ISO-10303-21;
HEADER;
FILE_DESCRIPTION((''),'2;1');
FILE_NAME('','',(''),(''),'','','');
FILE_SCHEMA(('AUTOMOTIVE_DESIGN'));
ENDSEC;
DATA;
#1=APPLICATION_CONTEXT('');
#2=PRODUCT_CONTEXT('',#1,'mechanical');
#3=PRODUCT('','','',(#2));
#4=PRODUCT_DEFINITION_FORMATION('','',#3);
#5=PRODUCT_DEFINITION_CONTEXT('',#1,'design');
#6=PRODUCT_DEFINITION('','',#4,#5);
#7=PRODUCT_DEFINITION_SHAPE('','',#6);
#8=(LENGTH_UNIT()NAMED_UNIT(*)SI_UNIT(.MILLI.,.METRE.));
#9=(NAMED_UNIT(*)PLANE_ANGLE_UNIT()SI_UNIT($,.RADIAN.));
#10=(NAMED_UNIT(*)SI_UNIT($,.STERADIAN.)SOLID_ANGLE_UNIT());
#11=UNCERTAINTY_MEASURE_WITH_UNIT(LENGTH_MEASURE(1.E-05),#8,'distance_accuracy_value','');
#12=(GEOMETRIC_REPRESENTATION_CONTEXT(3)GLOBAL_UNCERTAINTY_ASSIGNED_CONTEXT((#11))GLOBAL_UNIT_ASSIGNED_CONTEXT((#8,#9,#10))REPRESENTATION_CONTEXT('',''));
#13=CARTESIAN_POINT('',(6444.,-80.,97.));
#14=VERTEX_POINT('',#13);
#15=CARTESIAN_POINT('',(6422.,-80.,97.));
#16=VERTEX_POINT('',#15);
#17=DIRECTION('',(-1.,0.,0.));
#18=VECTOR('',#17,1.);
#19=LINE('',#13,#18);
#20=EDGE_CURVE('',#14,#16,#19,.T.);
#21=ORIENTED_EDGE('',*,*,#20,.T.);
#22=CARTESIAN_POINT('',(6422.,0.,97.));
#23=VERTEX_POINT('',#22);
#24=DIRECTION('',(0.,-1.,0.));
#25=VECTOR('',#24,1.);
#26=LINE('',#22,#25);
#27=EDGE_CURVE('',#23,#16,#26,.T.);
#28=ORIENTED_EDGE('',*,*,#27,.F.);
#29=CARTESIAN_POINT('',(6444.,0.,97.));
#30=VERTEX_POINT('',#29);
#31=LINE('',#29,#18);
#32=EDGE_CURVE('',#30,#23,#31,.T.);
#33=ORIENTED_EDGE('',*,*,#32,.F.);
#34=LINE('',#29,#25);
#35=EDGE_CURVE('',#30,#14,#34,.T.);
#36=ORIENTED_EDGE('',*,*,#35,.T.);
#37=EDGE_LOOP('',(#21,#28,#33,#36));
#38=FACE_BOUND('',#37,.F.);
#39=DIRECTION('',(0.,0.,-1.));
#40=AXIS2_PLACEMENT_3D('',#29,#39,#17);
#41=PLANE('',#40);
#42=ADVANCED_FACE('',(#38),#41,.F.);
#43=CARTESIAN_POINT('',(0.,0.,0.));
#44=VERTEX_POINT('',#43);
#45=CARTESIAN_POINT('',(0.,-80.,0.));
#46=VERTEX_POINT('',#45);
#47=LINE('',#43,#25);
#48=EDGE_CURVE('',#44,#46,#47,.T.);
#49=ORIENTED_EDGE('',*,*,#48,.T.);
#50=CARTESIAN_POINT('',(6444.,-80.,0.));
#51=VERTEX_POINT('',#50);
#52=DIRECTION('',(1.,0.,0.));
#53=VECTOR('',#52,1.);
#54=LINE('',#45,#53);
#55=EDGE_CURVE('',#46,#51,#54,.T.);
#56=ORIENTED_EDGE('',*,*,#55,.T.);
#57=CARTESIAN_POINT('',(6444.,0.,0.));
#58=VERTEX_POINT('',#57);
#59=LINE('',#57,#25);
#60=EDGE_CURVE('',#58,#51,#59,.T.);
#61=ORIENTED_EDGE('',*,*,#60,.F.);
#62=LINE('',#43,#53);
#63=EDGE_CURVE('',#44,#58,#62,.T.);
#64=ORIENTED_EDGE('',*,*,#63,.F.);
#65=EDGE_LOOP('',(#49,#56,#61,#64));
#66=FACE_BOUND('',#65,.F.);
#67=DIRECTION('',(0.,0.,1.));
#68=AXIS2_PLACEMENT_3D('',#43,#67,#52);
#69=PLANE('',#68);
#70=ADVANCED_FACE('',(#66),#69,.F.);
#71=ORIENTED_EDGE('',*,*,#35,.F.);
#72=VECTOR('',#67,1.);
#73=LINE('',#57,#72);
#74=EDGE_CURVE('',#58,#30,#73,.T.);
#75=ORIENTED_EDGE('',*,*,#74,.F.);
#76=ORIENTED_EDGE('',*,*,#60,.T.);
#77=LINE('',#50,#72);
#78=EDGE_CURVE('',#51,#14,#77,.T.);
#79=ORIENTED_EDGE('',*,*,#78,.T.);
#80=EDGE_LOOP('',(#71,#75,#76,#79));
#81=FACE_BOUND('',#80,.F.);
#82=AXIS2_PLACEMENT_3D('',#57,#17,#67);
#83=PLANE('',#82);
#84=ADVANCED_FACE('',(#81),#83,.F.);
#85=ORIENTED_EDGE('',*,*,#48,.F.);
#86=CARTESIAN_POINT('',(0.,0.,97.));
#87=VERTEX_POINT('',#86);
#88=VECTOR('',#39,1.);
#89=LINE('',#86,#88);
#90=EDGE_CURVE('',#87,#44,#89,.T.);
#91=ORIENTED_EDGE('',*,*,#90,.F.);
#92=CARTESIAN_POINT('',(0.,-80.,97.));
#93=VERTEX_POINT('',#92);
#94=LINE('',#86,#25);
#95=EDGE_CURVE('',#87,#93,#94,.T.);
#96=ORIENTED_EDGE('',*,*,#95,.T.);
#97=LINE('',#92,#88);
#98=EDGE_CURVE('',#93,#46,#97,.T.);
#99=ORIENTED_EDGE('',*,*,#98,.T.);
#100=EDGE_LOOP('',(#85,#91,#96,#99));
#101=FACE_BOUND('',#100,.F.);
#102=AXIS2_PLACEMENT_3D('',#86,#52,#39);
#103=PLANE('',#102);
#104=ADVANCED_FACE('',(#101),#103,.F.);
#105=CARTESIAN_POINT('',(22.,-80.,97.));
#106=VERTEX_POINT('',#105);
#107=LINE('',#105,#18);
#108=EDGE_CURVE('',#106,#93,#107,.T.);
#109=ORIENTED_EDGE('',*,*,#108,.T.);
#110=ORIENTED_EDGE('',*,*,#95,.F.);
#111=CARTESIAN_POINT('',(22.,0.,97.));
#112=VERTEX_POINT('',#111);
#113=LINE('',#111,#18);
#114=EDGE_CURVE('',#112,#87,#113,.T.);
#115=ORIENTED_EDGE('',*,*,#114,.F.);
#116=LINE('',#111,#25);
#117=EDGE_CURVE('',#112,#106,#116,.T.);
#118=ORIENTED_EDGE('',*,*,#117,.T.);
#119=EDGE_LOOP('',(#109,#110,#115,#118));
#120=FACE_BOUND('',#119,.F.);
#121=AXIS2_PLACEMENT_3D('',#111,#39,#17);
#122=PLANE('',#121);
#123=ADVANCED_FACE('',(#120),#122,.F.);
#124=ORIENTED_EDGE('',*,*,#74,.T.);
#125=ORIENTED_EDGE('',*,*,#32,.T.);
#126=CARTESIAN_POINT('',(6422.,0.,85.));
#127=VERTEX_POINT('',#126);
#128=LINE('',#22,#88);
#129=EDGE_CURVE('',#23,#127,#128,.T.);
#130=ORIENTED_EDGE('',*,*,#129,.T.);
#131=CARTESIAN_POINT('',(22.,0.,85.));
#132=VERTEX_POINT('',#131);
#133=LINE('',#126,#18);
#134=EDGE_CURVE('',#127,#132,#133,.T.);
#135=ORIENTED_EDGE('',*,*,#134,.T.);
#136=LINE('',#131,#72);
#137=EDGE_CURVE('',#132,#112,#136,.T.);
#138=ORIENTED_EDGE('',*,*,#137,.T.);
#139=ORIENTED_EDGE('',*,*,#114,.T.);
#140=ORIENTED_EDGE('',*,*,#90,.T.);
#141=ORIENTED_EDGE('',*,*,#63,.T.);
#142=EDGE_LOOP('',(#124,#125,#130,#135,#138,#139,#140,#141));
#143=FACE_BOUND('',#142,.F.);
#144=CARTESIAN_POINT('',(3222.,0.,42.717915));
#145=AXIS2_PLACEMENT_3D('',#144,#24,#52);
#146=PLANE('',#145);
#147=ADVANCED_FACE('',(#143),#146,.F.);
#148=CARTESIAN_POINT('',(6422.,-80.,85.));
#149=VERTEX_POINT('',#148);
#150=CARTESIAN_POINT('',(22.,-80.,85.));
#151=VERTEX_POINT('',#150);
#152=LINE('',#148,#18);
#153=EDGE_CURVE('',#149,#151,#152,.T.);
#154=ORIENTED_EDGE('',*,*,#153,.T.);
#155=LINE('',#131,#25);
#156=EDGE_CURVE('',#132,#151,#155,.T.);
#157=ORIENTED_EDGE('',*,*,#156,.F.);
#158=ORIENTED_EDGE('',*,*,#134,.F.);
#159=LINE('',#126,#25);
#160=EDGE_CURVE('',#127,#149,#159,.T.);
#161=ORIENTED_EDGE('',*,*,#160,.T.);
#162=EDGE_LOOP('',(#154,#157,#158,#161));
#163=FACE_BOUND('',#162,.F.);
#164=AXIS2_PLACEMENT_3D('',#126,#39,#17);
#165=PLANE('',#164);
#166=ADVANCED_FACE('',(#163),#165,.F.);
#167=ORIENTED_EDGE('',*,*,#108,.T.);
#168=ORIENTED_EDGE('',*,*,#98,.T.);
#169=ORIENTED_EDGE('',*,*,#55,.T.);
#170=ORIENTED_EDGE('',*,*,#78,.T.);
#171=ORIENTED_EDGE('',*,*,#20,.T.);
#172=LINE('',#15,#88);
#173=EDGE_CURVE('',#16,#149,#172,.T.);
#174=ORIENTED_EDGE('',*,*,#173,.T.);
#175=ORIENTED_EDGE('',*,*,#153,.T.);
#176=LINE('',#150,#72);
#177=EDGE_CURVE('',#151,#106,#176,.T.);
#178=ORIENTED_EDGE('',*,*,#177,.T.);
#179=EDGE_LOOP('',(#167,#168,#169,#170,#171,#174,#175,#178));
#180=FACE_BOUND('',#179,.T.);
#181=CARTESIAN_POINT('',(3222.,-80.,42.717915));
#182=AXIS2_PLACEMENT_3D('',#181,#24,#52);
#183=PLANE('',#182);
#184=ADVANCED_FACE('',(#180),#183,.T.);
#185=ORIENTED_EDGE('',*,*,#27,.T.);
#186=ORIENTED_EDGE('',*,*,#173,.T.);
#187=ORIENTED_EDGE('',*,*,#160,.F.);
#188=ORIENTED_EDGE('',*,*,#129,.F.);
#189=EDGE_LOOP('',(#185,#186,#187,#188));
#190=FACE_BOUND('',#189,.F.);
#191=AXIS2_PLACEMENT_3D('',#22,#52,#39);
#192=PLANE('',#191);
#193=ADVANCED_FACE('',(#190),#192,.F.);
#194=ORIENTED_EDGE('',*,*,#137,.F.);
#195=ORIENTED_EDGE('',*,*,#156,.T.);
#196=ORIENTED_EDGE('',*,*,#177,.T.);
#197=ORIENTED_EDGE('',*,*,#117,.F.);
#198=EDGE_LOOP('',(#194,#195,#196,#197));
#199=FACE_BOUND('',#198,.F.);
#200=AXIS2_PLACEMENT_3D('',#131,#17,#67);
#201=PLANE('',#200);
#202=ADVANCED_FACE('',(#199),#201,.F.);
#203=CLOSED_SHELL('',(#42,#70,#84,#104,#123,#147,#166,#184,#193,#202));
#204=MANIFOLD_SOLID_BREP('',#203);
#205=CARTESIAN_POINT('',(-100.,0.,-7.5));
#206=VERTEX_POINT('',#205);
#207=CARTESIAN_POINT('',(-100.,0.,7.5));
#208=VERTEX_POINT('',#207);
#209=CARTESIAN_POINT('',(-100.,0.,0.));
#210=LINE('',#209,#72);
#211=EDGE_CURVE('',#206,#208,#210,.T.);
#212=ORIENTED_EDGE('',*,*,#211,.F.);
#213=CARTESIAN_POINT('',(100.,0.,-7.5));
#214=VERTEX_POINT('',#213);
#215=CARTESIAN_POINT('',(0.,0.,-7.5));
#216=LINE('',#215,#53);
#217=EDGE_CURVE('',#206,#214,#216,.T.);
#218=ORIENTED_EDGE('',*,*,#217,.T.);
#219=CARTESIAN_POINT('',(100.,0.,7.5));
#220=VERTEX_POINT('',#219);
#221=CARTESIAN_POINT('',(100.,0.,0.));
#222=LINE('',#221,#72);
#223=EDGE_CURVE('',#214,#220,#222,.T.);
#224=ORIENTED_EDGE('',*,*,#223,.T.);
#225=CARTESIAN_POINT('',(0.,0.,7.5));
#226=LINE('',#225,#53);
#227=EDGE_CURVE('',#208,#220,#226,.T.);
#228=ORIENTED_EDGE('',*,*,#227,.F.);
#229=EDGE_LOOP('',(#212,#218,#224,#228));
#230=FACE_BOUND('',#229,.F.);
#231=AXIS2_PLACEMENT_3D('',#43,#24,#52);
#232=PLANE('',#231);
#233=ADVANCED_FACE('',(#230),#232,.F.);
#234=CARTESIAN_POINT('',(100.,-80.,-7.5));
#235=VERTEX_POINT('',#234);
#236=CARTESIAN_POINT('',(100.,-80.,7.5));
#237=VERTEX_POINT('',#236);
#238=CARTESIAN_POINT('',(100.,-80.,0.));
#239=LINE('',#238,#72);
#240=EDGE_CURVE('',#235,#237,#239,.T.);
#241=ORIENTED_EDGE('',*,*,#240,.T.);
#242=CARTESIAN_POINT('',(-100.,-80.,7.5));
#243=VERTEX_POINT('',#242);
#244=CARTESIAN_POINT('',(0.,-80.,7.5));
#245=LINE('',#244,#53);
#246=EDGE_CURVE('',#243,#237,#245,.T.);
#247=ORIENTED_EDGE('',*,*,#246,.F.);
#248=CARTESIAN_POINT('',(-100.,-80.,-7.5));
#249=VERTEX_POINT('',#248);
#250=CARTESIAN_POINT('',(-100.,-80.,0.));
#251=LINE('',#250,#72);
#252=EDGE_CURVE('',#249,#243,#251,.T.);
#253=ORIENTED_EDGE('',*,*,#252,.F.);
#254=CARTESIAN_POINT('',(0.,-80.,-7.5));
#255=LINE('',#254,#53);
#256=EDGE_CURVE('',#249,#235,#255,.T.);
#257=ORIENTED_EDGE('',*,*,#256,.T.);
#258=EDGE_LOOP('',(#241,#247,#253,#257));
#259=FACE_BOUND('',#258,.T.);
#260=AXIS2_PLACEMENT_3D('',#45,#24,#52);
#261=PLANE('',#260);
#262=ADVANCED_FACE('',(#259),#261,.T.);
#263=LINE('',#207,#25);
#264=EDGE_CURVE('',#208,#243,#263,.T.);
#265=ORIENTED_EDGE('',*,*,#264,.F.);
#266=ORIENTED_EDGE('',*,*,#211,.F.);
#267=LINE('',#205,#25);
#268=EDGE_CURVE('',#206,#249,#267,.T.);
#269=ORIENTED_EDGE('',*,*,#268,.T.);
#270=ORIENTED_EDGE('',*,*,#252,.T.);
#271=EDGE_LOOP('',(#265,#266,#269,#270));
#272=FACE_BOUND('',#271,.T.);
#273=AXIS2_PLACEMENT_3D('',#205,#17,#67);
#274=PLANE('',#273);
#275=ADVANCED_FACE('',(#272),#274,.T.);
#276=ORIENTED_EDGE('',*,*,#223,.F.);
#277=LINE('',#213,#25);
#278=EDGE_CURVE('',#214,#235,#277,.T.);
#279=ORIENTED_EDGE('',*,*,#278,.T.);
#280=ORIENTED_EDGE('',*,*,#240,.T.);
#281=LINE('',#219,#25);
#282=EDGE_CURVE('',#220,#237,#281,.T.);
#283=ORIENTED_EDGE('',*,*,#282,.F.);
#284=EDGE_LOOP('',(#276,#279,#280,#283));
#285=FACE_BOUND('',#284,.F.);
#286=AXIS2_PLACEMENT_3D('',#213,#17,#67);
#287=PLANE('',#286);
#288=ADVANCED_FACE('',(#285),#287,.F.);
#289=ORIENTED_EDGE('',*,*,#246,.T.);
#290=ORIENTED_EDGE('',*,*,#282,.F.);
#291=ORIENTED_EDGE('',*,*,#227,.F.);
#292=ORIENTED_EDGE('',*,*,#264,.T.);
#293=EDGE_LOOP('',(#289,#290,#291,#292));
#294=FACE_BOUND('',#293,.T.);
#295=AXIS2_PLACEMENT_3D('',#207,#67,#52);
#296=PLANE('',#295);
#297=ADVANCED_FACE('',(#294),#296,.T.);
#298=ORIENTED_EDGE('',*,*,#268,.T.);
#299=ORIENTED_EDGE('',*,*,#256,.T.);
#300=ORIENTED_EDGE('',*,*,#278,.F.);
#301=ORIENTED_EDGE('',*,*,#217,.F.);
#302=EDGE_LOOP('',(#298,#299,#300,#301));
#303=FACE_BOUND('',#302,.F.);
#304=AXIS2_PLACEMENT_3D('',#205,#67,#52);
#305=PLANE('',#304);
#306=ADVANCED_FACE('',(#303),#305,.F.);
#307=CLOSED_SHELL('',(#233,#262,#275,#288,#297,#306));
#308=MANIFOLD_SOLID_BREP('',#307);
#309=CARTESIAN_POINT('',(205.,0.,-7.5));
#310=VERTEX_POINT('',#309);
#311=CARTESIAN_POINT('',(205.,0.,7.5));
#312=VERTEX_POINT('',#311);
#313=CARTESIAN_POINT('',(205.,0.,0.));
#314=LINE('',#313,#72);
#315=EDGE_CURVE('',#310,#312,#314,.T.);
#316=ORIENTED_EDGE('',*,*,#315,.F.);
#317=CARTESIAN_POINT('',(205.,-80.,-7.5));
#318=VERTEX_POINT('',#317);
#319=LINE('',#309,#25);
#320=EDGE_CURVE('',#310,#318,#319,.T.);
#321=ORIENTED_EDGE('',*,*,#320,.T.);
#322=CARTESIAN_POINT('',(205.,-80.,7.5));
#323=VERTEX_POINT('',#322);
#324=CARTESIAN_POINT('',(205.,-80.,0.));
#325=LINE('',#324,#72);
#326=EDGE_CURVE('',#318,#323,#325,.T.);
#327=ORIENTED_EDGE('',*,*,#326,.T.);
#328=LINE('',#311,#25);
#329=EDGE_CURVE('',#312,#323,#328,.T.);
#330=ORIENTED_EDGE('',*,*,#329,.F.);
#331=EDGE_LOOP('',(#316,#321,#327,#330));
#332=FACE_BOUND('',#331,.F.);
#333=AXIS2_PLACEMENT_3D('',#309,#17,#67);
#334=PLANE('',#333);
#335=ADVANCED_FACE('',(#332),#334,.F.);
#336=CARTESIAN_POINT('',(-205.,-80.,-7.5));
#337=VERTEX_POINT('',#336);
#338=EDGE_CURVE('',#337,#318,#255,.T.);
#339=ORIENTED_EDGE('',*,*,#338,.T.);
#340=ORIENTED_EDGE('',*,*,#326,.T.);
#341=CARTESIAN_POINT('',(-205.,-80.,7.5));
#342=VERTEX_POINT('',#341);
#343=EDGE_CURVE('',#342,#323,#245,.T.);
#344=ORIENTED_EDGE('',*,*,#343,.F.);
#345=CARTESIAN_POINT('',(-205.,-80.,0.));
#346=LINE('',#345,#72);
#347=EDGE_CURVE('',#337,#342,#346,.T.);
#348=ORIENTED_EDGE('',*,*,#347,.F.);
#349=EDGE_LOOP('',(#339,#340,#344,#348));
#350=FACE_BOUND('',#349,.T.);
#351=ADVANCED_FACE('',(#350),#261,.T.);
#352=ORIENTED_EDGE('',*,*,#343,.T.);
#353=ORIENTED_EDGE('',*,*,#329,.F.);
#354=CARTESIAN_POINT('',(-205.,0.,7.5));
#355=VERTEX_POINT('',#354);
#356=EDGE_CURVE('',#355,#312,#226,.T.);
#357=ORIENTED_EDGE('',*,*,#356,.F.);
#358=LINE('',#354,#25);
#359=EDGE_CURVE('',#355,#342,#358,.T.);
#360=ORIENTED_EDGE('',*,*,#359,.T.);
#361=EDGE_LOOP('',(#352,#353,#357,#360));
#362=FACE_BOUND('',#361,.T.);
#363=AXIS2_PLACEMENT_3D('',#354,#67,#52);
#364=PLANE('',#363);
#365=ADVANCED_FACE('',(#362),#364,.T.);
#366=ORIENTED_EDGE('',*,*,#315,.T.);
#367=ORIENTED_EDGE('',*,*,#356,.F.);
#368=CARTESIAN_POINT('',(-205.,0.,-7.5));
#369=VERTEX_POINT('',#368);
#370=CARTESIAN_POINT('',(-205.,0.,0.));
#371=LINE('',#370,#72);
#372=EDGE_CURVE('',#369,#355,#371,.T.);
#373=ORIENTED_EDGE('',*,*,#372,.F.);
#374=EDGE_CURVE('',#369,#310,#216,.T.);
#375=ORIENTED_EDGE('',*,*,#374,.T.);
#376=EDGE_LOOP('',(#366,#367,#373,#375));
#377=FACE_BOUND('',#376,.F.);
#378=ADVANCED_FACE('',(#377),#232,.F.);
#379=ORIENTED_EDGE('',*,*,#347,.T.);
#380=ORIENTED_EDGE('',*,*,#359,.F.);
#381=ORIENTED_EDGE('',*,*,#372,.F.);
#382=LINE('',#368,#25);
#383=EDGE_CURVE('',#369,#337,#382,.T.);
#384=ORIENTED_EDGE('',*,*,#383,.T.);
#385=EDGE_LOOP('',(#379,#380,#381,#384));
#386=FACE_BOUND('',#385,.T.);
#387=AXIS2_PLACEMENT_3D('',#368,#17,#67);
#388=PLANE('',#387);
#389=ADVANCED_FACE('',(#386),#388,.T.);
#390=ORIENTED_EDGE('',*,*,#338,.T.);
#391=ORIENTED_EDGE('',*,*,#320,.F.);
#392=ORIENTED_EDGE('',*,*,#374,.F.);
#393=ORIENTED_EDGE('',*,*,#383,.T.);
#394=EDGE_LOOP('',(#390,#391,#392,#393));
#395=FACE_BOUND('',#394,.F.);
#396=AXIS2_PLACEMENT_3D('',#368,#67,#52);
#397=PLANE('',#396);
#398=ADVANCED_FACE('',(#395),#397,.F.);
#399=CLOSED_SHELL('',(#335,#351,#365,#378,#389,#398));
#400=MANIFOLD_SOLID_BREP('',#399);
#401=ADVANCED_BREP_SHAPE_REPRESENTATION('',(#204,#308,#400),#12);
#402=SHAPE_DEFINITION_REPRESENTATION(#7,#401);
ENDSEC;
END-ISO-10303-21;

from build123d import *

# Parameters (mm, degrees)
F1_DEPTH = 80
F2_W     = 410
F2_H     = 15
F3_DEPTH = 80
F4_W     = 200
F4_H     = 15
F5_DEPTH = 80


with BuildPart() as f1:
    # F0 (on Front) → F1 (new body)
    with BuildSketch(Plane.XZ):
        Polygon((22, 97), (0, 97), (0, 0), (6444, 0), (6444, 97), (6422, 97), (6422, 85), (22, 85), align=None)
    extrude(amount=F1_DEPTH)


with BuildPart() as f3:
    # F2 (on Front) → F3 (new body)
    with BuildSketch(Plane.XZ):
        Rectangle(F2_W, F2_H)
    extrude(amount=F3_DEPTH)


with BuildPart() as f5:
    # F4 (on Front) → F5 (new body)
    with BuildSketch(Plane.XZ):
        Rectangle(F4_W, F4_H)
    extrude(amount=F5_DEPTH)


solid = Compound([f1.part, f3.part, f5.part])
